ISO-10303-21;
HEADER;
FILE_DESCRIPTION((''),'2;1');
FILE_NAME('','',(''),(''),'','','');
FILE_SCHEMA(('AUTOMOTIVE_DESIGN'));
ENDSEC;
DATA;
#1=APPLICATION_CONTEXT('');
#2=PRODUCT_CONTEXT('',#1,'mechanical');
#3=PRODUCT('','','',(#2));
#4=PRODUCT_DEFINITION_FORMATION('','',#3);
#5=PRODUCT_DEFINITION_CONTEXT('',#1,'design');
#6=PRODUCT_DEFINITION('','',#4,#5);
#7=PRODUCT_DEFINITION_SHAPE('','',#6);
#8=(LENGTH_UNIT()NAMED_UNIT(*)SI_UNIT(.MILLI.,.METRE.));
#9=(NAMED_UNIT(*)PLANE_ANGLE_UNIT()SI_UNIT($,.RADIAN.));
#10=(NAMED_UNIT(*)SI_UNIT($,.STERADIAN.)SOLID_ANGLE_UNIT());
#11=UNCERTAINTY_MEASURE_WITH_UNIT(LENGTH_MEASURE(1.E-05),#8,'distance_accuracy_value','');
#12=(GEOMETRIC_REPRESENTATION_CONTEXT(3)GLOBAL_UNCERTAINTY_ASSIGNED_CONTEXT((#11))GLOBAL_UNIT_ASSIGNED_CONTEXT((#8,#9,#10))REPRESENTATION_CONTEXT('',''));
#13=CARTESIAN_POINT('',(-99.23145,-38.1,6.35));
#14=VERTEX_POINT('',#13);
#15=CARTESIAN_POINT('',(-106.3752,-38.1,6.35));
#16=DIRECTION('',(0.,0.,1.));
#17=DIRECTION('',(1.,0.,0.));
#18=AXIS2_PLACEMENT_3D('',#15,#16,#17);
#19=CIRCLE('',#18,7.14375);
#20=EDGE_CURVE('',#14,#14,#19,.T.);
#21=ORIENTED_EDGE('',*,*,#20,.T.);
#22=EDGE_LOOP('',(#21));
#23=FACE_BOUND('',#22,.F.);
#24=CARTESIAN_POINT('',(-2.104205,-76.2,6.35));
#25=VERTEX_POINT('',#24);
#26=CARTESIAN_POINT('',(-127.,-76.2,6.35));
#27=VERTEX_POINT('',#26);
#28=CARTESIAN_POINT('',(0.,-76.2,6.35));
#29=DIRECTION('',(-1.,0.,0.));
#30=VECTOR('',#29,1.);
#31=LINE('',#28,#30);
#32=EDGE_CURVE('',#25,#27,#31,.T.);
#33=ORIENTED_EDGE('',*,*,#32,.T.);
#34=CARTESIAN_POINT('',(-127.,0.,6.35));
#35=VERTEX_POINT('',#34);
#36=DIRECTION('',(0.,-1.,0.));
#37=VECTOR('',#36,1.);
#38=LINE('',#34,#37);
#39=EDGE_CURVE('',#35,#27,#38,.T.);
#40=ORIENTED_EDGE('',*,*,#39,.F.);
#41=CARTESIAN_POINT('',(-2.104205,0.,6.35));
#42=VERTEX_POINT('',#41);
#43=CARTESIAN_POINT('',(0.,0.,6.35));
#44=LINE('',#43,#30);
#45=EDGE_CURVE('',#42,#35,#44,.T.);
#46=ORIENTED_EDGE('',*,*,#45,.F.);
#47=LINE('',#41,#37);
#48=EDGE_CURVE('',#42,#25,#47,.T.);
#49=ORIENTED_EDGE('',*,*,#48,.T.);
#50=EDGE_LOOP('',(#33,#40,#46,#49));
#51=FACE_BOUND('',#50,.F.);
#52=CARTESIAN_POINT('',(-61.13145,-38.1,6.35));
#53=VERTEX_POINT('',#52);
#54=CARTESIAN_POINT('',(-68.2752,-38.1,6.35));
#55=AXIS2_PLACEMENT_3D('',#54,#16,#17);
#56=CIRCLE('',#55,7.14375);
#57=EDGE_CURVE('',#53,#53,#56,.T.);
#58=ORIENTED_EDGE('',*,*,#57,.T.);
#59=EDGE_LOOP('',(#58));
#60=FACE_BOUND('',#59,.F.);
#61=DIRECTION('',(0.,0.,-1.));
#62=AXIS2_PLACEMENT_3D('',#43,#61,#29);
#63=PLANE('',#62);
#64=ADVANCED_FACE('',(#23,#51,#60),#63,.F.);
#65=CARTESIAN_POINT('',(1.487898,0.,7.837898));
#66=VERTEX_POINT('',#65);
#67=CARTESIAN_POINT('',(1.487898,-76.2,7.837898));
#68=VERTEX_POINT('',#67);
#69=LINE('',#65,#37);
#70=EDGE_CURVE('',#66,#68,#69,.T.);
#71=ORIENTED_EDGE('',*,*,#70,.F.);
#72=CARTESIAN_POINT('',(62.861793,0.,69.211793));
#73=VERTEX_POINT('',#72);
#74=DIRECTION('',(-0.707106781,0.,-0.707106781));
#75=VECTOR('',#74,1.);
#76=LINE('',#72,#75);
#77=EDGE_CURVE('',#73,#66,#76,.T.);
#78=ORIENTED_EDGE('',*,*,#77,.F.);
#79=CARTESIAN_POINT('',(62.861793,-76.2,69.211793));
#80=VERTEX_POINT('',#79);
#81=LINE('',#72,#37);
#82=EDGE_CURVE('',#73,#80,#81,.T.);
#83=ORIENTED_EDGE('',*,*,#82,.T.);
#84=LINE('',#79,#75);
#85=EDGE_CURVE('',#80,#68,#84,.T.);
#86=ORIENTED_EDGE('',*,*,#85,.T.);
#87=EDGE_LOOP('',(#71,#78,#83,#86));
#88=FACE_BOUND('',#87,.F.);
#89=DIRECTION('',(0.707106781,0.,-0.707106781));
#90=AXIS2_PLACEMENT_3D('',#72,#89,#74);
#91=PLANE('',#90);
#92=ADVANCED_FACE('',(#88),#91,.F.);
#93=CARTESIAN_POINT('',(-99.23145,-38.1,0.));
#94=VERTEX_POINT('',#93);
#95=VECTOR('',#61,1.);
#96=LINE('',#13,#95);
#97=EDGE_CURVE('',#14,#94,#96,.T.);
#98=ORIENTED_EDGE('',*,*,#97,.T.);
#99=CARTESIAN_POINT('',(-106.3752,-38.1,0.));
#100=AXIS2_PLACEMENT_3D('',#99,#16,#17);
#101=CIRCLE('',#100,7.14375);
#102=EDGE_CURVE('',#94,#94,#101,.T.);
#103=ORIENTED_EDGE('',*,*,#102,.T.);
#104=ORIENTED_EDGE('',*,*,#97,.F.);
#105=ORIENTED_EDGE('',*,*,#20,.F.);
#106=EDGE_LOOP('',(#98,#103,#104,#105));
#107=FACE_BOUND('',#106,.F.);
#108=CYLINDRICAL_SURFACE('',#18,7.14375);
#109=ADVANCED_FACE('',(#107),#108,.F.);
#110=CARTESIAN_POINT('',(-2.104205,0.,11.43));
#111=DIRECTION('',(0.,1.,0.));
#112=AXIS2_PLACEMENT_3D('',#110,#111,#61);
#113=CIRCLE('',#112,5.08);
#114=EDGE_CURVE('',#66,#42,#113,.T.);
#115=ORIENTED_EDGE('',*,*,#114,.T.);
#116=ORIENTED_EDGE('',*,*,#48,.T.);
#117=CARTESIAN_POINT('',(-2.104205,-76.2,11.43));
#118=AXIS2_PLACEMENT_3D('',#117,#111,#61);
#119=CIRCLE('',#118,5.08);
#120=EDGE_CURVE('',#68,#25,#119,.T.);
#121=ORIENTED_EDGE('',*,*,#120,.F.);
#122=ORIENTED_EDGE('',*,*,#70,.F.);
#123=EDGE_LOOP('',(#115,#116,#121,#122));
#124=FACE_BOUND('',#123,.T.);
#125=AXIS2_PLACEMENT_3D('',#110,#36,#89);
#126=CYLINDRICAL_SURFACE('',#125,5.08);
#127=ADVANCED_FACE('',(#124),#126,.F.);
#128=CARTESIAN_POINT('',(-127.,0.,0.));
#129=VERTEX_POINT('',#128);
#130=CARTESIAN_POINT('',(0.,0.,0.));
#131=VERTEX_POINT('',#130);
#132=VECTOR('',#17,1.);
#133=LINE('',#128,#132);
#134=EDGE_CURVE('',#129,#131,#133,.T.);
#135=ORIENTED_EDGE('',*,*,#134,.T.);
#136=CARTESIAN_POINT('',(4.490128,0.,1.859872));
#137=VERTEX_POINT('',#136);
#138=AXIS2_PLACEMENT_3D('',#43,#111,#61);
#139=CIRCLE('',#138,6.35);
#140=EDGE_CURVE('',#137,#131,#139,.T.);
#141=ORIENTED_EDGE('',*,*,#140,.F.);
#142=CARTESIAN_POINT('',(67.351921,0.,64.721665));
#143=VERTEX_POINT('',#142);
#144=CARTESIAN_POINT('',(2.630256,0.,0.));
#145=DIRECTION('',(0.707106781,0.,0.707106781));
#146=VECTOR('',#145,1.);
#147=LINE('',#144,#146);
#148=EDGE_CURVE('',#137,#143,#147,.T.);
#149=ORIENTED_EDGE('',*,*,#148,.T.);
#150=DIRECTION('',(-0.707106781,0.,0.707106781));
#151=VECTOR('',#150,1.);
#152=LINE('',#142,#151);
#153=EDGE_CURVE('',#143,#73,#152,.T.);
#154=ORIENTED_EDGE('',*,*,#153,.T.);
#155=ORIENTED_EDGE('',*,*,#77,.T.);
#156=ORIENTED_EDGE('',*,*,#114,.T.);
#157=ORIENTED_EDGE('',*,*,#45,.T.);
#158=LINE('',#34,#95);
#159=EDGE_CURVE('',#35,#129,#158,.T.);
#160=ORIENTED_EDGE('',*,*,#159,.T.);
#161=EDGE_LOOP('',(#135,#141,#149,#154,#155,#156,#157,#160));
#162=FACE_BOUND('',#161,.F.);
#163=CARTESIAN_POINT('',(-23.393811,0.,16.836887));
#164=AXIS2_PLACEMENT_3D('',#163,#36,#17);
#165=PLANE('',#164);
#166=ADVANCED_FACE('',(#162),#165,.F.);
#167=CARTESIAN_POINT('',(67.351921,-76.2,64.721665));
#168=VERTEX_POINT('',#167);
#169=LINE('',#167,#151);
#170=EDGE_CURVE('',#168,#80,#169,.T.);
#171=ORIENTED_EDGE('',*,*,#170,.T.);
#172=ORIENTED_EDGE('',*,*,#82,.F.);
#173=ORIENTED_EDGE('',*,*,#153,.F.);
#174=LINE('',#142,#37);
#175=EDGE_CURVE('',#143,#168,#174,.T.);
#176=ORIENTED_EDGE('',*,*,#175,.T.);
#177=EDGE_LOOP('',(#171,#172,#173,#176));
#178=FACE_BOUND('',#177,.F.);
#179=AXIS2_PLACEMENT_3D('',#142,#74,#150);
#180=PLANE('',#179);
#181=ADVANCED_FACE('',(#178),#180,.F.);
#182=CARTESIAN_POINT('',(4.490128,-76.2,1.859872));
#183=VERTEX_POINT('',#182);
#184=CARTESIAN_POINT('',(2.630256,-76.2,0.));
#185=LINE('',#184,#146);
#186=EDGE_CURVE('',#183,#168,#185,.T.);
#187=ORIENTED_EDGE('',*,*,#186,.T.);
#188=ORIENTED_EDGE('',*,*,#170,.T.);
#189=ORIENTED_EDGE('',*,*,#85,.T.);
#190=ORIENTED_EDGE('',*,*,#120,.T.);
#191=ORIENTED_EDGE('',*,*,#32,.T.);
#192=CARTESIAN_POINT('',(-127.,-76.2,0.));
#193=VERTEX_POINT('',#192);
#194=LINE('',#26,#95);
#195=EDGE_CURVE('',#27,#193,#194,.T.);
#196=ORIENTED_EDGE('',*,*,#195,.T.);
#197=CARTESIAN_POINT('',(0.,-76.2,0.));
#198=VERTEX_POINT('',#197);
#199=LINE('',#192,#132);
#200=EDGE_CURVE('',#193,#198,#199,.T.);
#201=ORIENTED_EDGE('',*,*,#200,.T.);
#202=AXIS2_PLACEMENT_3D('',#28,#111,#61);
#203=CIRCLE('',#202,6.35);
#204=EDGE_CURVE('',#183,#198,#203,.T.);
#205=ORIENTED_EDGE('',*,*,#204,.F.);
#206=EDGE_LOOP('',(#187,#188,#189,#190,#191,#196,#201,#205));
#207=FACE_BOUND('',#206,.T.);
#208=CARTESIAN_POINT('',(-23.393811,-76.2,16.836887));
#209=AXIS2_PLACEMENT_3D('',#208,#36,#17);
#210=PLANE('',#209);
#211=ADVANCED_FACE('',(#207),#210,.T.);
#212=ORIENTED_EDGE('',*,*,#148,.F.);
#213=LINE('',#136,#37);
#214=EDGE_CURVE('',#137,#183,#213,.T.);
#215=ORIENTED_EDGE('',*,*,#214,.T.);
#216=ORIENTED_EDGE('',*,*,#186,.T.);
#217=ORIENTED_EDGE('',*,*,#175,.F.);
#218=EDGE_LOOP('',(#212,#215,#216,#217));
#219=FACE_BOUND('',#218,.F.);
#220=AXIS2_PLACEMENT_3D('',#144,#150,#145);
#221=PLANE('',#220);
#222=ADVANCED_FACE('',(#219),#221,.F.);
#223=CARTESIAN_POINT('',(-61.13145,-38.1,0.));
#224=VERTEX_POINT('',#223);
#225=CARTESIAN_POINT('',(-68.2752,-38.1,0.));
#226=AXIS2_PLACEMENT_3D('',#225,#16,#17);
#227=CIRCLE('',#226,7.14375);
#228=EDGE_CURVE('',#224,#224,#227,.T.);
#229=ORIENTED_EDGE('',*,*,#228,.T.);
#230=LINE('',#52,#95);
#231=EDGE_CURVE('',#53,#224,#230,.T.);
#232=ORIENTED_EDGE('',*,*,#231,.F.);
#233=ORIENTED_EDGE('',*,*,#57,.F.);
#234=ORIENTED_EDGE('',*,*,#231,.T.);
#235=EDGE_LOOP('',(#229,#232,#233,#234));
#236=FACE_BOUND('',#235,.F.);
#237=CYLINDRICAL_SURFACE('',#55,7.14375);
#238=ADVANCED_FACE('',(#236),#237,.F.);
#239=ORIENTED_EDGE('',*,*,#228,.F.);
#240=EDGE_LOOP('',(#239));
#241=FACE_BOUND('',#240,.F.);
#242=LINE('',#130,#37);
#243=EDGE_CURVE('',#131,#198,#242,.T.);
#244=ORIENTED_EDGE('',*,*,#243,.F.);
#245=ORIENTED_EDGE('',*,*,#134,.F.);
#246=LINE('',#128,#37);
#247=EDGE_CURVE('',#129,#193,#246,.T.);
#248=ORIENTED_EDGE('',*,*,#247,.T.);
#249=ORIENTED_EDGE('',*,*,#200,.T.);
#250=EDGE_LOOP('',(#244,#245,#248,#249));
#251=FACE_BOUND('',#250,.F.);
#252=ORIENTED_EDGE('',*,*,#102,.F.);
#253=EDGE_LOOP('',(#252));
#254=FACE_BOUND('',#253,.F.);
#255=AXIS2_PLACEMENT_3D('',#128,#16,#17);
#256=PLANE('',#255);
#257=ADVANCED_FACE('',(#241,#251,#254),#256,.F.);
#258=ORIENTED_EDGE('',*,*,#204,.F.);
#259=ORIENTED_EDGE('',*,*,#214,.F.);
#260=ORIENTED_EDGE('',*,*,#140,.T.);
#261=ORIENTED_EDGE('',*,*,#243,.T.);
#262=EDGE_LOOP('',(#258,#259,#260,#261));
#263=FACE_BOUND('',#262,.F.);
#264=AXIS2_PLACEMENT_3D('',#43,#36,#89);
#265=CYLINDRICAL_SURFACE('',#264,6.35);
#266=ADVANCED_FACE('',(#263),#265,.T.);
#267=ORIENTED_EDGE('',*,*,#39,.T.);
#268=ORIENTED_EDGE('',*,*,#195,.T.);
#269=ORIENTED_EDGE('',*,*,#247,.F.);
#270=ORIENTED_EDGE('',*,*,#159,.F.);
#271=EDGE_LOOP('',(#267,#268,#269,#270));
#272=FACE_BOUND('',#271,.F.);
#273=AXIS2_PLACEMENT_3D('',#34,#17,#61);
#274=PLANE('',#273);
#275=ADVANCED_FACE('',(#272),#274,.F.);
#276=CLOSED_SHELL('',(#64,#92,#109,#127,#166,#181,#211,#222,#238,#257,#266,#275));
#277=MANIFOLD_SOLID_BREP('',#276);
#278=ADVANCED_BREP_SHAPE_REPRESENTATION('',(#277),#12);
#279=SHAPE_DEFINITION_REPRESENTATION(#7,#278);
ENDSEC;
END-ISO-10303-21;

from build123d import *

# Parameters (mm, degrees)
F1_DEPTH = 76.2
F2_R     = 5.08
F3_R     = 6.35
F4_R     = 7.14375
F5_DEPTH = 25.4


with BuildPart() as f1:
    # F0 (on Front) → F1 (new body)
    with BuildSketch(Plane.XZ):
        Polygon((-127, 0), (0, 0), (2.630256, 0), (4.490128, 1.859872), (67.351921, 64.721665), (62.861793, 69.211793), (0, 6.35), (-127, 6.35), align=None)
    extrude(amount=F1_DEPTH)

    # F2
    f2_edges = [f1.edges().sort_by_distance(p)[0] for p in [
        (0, -38.1, 6.35),
    ]]
    fillet(f2_edges, radius=F2_R)

    # F3
    f3_edges = [f1.edges().sort_by_distance(p)[0] for p in [
        (2.630256, -38.1, 0),
    ]]
    fillet(f3_edges, radius=F3_R)

    # F4 (on face) → F5 (cut)
    with BuildSketch(Plane.XY.offset(6.35)):
        with Locations((-106.3752, -38.1)):
            Circle(F4_R)
        with Locations((-68.2752, -38.1)):
            Circle(F4_R)
    extrude(amount=-F5_DEPTH, mode=Mode.SUBTRACT)


solid = f1.part
